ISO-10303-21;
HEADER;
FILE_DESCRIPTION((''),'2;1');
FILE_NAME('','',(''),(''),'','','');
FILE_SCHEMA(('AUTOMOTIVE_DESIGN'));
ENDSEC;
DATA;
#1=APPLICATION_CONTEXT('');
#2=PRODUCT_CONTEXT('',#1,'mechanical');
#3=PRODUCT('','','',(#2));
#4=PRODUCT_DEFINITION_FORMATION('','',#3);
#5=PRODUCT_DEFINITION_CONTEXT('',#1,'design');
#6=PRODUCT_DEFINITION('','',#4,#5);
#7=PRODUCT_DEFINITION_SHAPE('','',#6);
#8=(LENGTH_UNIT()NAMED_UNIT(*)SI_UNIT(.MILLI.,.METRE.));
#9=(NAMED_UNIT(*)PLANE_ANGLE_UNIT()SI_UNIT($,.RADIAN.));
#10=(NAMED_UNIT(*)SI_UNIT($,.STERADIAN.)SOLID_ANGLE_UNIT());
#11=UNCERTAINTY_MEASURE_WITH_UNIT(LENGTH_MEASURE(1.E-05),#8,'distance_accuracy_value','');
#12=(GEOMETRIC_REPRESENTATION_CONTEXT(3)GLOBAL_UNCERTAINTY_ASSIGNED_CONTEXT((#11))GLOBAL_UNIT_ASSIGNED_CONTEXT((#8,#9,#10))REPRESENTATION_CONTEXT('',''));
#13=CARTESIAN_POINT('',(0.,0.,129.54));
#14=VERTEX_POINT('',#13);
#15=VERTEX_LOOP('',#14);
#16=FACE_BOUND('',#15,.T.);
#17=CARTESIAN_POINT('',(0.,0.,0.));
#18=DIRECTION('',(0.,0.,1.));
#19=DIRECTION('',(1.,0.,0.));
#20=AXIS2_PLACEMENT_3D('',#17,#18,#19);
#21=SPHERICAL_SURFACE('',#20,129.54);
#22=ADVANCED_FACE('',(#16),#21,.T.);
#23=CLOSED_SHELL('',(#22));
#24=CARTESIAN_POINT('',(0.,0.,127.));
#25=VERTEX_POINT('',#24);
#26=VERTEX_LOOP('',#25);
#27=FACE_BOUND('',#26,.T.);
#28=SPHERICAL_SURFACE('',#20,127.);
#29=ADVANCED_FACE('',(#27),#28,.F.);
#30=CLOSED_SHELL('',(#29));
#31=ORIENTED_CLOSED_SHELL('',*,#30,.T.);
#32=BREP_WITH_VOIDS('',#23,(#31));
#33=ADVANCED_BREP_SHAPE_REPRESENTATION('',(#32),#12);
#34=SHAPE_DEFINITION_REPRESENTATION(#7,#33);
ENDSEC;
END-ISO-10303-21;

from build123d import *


with BuildPart() as part:
    # Sketch3 → Revolve-Thin1 (revolve)
    with BuildSketch(Plane(origin=(0, 0, 0), x_dir=(1, 0, 0), z_dir=(0, 1, 0))):
        with BuildLine():
            ThreePointArc((0, 127), (-127, 0), (0, -127))
            Line((0, -127), (0, -129.54))
            ThreePointArc((0, -129.54), (-129.54, 0), (0, 129.54))
            Line((0, 129.54), (0, 127))
        make_face()
    revolve(axis=Axis((0, 0, 127), (0, 0, -1)))


solid = part.part
